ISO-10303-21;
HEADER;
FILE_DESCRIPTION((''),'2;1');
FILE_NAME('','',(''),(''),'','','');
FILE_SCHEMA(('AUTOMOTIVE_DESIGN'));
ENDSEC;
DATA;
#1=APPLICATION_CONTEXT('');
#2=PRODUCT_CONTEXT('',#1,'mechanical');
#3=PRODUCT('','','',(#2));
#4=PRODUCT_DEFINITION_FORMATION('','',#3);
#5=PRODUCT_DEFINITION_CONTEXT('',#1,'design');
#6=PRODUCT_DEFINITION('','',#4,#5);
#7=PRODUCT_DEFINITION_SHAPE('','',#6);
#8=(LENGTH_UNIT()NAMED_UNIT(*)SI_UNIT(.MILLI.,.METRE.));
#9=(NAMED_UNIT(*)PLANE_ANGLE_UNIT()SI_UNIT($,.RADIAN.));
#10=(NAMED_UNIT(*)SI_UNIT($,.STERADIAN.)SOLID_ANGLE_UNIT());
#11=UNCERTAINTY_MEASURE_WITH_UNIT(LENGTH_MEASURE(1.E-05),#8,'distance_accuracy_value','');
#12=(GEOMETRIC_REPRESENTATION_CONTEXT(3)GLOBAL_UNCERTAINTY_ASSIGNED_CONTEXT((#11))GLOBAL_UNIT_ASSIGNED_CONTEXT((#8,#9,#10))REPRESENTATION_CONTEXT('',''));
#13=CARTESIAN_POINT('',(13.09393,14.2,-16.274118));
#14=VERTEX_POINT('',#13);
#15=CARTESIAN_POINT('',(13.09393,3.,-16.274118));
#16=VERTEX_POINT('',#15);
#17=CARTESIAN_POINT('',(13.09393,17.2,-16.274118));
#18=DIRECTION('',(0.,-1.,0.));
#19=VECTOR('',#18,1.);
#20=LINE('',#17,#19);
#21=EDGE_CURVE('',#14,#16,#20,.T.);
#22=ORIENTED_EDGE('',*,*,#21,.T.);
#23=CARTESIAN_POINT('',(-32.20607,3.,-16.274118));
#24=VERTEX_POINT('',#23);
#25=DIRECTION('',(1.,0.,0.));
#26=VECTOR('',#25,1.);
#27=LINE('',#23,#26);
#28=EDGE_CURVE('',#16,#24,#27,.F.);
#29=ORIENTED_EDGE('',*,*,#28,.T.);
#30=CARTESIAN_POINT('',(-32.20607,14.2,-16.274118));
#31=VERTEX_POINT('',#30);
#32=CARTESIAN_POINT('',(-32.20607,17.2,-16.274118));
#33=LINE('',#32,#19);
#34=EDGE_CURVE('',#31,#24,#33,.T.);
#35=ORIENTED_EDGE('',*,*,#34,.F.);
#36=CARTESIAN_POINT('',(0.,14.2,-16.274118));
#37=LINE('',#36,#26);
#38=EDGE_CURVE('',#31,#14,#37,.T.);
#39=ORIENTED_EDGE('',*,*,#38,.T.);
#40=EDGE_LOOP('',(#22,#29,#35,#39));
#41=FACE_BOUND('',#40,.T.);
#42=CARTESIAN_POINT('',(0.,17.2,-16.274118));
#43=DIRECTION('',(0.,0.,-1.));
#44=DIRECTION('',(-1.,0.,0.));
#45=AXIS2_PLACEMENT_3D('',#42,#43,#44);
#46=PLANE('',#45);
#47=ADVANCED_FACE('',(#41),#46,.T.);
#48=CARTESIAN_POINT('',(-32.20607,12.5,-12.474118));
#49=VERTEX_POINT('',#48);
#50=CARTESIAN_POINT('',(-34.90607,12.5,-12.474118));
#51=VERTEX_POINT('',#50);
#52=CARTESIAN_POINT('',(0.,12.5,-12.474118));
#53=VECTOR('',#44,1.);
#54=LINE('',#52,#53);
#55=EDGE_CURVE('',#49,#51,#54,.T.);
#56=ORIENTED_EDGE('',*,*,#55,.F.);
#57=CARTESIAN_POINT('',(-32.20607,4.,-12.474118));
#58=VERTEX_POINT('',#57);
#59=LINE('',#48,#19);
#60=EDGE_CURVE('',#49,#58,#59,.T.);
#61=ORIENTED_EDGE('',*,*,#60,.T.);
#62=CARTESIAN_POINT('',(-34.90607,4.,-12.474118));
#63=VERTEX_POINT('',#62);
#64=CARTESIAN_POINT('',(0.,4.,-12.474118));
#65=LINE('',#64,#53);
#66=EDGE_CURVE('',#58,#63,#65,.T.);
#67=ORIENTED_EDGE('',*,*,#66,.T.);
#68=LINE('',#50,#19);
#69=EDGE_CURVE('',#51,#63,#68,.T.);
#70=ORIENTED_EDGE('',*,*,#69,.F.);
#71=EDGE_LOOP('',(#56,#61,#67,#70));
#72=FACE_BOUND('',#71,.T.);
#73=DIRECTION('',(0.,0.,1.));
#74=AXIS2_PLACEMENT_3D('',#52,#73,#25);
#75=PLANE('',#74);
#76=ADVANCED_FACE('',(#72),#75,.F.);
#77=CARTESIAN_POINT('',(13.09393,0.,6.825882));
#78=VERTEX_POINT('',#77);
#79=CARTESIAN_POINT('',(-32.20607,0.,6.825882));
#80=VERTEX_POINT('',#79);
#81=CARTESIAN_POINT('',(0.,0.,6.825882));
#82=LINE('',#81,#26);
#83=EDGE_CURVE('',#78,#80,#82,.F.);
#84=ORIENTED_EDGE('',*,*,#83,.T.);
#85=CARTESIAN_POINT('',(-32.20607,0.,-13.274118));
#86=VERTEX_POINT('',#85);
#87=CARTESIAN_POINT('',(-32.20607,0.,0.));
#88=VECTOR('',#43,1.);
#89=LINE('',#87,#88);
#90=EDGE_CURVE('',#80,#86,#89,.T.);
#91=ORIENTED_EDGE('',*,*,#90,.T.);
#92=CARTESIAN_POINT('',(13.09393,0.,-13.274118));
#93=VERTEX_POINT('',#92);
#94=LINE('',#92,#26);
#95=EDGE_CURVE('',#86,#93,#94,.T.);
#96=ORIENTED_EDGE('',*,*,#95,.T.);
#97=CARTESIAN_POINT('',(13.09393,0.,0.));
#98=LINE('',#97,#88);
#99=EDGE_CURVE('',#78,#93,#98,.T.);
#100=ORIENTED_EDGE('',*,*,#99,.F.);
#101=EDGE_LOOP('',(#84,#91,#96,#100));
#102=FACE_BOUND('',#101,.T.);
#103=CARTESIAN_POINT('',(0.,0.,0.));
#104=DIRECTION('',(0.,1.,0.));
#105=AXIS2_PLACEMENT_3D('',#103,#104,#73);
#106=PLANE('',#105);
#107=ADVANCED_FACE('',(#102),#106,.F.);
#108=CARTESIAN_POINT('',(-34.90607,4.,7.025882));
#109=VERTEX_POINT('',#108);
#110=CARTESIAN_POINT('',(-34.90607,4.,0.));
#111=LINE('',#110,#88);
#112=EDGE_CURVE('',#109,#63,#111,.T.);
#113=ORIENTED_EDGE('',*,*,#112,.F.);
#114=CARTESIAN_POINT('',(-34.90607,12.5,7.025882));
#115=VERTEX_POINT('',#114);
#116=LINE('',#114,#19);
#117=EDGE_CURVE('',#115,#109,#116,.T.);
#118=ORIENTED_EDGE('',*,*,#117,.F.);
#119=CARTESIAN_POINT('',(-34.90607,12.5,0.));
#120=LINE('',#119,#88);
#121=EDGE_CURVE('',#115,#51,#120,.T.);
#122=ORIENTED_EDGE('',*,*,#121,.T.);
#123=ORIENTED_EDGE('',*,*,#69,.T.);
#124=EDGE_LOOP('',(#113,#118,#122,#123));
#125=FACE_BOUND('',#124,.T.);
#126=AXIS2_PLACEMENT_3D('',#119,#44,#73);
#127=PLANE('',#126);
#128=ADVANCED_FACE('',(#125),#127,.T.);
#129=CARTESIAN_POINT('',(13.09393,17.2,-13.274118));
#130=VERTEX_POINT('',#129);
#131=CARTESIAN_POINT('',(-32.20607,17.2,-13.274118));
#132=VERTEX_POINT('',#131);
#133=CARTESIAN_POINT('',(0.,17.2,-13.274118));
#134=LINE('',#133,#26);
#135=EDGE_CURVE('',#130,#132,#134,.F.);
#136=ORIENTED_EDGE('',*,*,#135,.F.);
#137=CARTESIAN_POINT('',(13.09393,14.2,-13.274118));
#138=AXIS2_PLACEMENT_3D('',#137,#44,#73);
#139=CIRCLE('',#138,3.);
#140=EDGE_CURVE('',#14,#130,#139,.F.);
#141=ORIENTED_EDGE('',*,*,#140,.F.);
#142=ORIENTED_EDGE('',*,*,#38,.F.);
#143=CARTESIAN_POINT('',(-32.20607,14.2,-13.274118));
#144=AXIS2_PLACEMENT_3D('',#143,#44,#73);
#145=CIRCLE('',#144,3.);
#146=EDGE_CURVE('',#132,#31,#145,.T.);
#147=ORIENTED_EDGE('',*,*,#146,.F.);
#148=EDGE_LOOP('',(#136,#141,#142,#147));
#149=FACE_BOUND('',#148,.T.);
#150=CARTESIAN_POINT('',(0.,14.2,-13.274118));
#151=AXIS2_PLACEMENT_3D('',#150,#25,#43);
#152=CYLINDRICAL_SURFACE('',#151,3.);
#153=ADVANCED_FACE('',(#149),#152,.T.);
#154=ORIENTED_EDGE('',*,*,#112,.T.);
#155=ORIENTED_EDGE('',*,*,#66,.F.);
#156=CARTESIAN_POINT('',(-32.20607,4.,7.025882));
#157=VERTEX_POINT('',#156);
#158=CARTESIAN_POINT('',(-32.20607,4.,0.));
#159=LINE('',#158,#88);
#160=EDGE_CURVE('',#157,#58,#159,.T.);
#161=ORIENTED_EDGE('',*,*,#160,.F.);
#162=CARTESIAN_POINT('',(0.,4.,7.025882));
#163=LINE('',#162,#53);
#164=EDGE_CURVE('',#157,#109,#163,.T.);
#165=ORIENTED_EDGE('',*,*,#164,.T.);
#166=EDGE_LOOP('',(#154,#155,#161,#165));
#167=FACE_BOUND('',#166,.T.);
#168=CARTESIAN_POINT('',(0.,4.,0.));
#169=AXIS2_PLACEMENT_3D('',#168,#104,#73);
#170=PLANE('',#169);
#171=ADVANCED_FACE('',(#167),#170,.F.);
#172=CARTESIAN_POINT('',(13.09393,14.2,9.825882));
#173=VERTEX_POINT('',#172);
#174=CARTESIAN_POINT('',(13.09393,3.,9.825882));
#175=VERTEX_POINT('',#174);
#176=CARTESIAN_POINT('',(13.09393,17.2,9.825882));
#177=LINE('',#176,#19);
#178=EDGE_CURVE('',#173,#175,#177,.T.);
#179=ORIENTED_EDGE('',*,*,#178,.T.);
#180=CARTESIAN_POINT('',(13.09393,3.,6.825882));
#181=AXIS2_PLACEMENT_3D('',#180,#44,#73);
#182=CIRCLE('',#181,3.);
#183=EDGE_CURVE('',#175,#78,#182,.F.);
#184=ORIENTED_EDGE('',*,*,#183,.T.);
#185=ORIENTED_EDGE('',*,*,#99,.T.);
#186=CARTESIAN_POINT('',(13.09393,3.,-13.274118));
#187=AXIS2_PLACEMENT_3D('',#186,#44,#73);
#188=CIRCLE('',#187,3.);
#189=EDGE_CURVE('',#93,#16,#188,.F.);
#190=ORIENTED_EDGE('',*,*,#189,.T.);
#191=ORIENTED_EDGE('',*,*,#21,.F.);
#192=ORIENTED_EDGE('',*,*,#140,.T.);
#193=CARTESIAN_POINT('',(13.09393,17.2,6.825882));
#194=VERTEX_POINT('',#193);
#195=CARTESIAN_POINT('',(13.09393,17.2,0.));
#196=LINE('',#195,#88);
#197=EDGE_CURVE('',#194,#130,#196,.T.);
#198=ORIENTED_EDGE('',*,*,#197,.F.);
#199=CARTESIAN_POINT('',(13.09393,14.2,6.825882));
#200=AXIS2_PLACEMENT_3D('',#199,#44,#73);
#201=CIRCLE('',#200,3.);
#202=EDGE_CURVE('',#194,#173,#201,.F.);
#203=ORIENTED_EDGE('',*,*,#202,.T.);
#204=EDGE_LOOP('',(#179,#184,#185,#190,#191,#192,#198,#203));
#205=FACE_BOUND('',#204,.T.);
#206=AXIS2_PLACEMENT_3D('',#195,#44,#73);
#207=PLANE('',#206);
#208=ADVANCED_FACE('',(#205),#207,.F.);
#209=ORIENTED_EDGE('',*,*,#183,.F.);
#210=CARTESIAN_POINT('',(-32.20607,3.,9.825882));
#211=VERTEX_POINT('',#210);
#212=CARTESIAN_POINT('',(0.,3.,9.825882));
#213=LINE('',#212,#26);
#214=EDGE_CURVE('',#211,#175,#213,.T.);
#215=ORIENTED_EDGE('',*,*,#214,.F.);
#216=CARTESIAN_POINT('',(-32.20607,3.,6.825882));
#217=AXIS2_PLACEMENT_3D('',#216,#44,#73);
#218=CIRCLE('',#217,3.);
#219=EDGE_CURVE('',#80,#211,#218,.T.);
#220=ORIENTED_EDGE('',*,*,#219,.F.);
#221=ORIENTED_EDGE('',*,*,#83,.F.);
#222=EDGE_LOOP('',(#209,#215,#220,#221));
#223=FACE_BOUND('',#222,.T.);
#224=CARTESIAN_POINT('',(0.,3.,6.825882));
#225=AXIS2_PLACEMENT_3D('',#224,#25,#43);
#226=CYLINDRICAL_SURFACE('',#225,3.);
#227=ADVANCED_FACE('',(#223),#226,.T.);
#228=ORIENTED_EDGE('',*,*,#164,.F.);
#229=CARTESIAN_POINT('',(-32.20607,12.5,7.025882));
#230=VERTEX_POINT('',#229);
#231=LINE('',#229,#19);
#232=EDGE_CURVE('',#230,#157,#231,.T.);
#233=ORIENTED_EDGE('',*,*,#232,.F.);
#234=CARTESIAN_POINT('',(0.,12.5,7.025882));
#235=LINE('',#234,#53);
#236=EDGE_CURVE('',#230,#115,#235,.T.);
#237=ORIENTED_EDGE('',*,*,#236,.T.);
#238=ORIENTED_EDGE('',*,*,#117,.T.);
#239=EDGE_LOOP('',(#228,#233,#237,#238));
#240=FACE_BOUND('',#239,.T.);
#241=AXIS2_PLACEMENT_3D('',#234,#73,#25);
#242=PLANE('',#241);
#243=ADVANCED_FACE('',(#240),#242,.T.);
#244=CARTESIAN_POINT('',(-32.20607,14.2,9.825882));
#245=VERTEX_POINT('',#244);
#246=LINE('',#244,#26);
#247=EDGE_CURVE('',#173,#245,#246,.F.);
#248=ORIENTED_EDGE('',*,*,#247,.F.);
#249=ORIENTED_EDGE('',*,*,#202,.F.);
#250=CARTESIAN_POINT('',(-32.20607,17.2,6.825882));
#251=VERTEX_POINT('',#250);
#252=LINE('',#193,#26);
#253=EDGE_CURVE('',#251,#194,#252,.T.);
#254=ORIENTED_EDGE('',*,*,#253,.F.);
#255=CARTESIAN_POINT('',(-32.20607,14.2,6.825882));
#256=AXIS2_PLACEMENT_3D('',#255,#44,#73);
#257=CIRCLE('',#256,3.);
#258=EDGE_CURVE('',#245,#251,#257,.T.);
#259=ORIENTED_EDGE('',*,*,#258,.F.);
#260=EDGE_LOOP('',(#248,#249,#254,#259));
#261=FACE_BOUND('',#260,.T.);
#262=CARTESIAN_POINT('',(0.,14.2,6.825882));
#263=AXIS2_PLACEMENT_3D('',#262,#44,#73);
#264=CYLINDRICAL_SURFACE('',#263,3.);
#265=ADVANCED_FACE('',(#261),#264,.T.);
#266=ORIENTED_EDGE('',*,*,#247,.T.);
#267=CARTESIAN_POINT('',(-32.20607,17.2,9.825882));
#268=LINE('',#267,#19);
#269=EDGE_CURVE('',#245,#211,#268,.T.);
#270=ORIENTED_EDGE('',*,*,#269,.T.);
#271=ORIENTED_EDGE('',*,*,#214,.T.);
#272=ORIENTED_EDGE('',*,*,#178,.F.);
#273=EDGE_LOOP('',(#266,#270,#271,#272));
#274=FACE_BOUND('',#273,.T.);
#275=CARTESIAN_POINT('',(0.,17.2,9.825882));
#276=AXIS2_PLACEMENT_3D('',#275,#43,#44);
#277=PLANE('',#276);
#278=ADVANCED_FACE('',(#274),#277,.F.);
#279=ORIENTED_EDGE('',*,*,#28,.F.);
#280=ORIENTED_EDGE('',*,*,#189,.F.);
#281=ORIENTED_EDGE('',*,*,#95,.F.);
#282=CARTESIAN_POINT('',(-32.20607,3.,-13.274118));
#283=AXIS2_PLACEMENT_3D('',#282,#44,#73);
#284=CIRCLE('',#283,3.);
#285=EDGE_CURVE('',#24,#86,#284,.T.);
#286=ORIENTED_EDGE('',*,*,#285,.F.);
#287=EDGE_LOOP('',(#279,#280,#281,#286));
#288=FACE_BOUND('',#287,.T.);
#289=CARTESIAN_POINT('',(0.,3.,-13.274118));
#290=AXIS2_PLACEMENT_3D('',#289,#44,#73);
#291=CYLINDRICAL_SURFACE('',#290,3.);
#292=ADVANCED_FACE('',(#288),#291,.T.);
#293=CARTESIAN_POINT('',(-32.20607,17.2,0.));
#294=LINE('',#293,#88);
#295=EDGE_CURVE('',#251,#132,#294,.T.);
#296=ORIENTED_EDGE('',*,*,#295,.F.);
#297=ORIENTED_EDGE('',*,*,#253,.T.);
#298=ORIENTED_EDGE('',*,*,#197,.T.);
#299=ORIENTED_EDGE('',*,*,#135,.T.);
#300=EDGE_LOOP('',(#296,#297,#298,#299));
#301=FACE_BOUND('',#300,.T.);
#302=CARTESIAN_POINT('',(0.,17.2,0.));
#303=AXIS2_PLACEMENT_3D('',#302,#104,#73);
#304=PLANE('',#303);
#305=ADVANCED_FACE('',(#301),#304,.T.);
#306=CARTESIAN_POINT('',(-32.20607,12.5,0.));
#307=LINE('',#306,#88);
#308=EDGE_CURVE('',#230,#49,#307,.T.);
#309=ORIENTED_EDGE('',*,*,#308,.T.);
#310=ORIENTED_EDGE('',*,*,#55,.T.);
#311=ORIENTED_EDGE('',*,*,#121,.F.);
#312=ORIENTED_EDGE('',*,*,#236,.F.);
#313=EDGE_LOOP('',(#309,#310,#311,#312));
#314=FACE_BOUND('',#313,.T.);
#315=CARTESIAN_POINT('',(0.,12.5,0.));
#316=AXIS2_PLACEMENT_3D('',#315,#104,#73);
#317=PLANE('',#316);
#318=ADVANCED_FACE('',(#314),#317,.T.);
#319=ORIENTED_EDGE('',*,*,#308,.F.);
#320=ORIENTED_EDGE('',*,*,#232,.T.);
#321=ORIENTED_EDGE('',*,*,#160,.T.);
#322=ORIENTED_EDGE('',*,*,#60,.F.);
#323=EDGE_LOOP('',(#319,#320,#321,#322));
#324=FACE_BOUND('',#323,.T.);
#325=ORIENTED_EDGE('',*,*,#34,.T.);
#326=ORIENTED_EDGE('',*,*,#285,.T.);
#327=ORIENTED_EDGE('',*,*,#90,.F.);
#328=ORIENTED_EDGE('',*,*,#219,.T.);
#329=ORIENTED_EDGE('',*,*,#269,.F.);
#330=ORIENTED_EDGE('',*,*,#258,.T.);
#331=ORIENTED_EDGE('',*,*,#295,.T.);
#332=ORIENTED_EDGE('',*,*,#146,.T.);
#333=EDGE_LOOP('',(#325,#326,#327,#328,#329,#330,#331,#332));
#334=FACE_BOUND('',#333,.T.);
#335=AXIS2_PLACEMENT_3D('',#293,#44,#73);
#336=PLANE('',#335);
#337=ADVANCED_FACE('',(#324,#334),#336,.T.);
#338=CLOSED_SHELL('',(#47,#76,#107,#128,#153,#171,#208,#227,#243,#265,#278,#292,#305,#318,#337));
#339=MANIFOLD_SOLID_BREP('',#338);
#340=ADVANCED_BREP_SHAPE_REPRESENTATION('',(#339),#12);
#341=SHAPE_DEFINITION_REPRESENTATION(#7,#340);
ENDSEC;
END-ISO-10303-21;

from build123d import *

# Parameters (mm, degrees)
BOSS_EXTRUDE1_DEPTH = 17.2
FILLET1_R           = 3
BOSS_EXTRUDE2_START = 4
SKETCH1_3_W         = 2.7
SKETCH1_3_H         = 19.5
BOSS_EXTRUDE2_DEPTH = 8.5


with BuildPart() as part:
    # Sketch1 → Boss-Extrude1 (new body)
    with BuildSketch(Plane(origin=(0, 0, 0), x_dir=(1, 0, 0), z_dir=(0, 1, 0))):
        Polygon((-32.206070131, -7.025882353), (-32.206070131, -9.825882353), (13.093929869, -9.825882353), (13.093929869, 16.274117647), (-32.206070131, 16.274117647), (-32.206070131, 12.474117647), align=None)
    extrude(amount=BOSS_EXTRUDE1_DEPTH)

    # Fillet1
    fillet1_edges = [part.edges().sort_by_distance(p)[0] for p in [
        (-9.556070131, 17.2, -16.274117647),
        (-9.556070131, 0, -16.274117647),
        (-9.556070131, 0, 9.825882353),
        (-9.556070131, 17.2, 9.825882353),
    ]]
    fillet(fillet1_edges, radius=FILLET1_R)

    # Sketch1<3> → Boss-Extrude2 (add)
    with BuildSketch(Plane(origin=(0, 0, 0), x_dir=(1, 0, 0), z_dir=(0, 1, 0)).offset(BOSS_EXTRUDE2_START)):
        with Locations((-33.556070131, 2.724117647)):
            Rectangle(SKETCH1_3_W, SKETCH1_3_H)
    extrude(amount=BOSS_EXTRUDE2_DEPTH)


solid = part.part
